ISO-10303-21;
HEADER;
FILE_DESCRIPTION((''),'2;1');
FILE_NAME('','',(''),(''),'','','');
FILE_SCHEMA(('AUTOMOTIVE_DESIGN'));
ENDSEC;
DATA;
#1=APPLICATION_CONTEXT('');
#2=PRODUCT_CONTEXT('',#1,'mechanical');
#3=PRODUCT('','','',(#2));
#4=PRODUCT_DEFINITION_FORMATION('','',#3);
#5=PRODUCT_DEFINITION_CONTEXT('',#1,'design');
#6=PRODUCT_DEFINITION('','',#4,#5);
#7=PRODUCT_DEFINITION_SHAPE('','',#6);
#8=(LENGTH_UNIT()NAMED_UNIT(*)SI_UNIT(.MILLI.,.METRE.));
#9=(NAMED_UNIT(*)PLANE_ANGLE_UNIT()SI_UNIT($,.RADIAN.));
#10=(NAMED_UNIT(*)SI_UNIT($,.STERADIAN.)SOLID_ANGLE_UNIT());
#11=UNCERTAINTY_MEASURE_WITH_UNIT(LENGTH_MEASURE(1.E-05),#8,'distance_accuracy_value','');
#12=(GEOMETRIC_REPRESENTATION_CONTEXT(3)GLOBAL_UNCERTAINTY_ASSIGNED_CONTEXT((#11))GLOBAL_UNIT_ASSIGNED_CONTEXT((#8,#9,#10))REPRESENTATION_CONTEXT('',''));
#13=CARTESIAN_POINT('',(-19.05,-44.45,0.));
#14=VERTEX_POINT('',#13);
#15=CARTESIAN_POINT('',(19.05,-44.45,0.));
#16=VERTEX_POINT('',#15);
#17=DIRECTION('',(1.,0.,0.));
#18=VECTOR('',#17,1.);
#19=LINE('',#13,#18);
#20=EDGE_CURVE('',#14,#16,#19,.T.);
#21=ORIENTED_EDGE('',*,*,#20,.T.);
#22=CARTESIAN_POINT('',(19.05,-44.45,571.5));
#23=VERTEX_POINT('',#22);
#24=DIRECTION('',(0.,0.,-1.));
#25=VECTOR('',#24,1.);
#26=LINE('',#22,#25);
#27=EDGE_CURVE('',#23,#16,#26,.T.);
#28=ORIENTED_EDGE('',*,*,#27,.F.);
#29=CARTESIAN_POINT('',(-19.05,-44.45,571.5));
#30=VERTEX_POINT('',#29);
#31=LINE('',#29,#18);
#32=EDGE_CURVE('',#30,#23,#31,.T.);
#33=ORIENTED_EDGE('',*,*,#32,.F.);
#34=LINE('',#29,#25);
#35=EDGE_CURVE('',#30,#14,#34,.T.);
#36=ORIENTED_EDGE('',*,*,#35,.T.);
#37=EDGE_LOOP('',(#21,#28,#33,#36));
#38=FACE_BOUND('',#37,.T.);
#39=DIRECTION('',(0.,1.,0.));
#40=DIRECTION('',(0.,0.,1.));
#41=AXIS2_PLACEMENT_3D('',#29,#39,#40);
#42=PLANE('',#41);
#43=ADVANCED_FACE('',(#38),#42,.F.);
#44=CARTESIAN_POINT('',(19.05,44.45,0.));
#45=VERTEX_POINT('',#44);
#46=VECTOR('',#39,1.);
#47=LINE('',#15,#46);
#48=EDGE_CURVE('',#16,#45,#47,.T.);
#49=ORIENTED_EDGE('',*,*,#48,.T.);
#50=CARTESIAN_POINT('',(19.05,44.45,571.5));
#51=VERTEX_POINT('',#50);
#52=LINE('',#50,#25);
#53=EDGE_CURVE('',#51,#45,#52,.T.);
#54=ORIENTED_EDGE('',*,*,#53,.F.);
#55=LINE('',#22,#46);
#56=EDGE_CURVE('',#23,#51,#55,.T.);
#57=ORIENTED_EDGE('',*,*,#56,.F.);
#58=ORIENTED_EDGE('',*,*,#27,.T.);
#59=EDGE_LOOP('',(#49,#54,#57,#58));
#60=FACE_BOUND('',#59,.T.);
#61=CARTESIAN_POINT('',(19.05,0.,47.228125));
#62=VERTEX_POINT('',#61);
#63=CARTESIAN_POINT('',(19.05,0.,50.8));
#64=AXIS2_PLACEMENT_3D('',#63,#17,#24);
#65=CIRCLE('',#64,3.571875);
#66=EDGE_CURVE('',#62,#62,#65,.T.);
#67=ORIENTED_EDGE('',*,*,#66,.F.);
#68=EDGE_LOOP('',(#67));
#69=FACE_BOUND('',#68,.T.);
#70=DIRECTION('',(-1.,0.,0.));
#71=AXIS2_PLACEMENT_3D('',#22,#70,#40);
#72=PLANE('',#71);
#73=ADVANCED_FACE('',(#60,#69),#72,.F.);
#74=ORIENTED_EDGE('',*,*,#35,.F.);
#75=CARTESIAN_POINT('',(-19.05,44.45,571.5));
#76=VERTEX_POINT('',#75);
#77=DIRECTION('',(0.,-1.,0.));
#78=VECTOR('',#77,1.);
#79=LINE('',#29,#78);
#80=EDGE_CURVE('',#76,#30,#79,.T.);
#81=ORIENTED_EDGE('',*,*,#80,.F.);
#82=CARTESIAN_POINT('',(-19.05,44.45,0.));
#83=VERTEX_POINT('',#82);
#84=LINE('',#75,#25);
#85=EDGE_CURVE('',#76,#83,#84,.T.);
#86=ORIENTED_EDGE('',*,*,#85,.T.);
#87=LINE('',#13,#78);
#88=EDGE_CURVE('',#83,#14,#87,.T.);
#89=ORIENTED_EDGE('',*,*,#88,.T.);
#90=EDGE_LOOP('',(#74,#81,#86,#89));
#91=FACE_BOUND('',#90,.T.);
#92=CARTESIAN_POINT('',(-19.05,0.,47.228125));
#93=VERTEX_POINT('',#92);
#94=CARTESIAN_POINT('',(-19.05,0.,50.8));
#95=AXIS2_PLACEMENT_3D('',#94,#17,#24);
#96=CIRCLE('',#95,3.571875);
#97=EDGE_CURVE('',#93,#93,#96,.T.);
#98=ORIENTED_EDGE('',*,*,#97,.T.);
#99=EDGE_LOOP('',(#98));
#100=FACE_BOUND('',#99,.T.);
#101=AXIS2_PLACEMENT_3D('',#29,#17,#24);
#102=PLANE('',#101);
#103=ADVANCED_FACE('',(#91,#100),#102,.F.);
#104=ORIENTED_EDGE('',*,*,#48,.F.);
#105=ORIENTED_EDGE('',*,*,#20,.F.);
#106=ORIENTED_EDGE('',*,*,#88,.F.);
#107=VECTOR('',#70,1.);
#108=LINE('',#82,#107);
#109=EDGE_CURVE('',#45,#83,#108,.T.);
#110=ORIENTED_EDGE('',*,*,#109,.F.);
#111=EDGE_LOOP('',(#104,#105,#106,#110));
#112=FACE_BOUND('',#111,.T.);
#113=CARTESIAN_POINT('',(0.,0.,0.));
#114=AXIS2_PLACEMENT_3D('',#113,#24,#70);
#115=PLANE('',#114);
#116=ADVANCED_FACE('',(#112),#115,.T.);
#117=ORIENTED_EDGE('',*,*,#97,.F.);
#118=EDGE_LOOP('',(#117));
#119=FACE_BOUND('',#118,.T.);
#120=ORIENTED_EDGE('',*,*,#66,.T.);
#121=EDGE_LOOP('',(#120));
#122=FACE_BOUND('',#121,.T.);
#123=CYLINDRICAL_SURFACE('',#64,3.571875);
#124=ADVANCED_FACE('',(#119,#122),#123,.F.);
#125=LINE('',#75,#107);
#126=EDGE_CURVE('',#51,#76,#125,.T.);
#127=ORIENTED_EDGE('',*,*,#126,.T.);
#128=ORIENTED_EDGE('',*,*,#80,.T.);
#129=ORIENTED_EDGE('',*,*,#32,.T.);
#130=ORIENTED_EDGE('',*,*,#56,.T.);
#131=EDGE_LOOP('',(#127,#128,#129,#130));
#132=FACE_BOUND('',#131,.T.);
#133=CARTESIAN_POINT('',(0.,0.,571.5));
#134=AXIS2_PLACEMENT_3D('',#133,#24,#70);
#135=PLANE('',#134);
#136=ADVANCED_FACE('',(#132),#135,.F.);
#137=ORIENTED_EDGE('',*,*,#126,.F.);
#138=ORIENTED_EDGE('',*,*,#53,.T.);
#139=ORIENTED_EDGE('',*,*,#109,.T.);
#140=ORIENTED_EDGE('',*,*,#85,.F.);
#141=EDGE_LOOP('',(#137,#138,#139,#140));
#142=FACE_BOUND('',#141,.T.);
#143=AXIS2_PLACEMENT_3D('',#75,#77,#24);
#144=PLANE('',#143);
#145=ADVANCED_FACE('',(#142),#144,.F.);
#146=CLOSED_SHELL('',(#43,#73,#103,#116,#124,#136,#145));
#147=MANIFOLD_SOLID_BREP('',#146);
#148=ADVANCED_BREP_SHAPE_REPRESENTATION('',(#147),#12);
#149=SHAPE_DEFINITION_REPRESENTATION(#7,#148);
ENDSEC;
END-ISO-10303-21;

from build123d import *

# Parameters (mm, degrees)
SKETCH1_W                       = 38.1
SKETCH1_H                       = 88.9
BOSS_EXTRUDE1_DEPTH             = 571.5
F_9_32_0_28125_DIAMETER_HOLE1_D = 7.14375


with BuildPart() as part:
    # Sketch1 → Boss-Extrude1 (new body)
    with BuildSketch(Plane.XY):
        Rectangle(SKETCH1_W, SKETCH1_H)
    extrude(amount=BOSS_EXTRUDE1_DEPTH)

    # 9/32 (0.28125) Diameter Hole1 (through all)
    with Locations(Plane(origin=(19.05, 0, 0), x_dir=(0, 0, -1), z_dir=(1, 0, 0))):
        with Locations((-50.8, 0)):
            Hole(F_9_32_0_28125_DIAMETER_HOLE1_D / 2)


solid = part.part
